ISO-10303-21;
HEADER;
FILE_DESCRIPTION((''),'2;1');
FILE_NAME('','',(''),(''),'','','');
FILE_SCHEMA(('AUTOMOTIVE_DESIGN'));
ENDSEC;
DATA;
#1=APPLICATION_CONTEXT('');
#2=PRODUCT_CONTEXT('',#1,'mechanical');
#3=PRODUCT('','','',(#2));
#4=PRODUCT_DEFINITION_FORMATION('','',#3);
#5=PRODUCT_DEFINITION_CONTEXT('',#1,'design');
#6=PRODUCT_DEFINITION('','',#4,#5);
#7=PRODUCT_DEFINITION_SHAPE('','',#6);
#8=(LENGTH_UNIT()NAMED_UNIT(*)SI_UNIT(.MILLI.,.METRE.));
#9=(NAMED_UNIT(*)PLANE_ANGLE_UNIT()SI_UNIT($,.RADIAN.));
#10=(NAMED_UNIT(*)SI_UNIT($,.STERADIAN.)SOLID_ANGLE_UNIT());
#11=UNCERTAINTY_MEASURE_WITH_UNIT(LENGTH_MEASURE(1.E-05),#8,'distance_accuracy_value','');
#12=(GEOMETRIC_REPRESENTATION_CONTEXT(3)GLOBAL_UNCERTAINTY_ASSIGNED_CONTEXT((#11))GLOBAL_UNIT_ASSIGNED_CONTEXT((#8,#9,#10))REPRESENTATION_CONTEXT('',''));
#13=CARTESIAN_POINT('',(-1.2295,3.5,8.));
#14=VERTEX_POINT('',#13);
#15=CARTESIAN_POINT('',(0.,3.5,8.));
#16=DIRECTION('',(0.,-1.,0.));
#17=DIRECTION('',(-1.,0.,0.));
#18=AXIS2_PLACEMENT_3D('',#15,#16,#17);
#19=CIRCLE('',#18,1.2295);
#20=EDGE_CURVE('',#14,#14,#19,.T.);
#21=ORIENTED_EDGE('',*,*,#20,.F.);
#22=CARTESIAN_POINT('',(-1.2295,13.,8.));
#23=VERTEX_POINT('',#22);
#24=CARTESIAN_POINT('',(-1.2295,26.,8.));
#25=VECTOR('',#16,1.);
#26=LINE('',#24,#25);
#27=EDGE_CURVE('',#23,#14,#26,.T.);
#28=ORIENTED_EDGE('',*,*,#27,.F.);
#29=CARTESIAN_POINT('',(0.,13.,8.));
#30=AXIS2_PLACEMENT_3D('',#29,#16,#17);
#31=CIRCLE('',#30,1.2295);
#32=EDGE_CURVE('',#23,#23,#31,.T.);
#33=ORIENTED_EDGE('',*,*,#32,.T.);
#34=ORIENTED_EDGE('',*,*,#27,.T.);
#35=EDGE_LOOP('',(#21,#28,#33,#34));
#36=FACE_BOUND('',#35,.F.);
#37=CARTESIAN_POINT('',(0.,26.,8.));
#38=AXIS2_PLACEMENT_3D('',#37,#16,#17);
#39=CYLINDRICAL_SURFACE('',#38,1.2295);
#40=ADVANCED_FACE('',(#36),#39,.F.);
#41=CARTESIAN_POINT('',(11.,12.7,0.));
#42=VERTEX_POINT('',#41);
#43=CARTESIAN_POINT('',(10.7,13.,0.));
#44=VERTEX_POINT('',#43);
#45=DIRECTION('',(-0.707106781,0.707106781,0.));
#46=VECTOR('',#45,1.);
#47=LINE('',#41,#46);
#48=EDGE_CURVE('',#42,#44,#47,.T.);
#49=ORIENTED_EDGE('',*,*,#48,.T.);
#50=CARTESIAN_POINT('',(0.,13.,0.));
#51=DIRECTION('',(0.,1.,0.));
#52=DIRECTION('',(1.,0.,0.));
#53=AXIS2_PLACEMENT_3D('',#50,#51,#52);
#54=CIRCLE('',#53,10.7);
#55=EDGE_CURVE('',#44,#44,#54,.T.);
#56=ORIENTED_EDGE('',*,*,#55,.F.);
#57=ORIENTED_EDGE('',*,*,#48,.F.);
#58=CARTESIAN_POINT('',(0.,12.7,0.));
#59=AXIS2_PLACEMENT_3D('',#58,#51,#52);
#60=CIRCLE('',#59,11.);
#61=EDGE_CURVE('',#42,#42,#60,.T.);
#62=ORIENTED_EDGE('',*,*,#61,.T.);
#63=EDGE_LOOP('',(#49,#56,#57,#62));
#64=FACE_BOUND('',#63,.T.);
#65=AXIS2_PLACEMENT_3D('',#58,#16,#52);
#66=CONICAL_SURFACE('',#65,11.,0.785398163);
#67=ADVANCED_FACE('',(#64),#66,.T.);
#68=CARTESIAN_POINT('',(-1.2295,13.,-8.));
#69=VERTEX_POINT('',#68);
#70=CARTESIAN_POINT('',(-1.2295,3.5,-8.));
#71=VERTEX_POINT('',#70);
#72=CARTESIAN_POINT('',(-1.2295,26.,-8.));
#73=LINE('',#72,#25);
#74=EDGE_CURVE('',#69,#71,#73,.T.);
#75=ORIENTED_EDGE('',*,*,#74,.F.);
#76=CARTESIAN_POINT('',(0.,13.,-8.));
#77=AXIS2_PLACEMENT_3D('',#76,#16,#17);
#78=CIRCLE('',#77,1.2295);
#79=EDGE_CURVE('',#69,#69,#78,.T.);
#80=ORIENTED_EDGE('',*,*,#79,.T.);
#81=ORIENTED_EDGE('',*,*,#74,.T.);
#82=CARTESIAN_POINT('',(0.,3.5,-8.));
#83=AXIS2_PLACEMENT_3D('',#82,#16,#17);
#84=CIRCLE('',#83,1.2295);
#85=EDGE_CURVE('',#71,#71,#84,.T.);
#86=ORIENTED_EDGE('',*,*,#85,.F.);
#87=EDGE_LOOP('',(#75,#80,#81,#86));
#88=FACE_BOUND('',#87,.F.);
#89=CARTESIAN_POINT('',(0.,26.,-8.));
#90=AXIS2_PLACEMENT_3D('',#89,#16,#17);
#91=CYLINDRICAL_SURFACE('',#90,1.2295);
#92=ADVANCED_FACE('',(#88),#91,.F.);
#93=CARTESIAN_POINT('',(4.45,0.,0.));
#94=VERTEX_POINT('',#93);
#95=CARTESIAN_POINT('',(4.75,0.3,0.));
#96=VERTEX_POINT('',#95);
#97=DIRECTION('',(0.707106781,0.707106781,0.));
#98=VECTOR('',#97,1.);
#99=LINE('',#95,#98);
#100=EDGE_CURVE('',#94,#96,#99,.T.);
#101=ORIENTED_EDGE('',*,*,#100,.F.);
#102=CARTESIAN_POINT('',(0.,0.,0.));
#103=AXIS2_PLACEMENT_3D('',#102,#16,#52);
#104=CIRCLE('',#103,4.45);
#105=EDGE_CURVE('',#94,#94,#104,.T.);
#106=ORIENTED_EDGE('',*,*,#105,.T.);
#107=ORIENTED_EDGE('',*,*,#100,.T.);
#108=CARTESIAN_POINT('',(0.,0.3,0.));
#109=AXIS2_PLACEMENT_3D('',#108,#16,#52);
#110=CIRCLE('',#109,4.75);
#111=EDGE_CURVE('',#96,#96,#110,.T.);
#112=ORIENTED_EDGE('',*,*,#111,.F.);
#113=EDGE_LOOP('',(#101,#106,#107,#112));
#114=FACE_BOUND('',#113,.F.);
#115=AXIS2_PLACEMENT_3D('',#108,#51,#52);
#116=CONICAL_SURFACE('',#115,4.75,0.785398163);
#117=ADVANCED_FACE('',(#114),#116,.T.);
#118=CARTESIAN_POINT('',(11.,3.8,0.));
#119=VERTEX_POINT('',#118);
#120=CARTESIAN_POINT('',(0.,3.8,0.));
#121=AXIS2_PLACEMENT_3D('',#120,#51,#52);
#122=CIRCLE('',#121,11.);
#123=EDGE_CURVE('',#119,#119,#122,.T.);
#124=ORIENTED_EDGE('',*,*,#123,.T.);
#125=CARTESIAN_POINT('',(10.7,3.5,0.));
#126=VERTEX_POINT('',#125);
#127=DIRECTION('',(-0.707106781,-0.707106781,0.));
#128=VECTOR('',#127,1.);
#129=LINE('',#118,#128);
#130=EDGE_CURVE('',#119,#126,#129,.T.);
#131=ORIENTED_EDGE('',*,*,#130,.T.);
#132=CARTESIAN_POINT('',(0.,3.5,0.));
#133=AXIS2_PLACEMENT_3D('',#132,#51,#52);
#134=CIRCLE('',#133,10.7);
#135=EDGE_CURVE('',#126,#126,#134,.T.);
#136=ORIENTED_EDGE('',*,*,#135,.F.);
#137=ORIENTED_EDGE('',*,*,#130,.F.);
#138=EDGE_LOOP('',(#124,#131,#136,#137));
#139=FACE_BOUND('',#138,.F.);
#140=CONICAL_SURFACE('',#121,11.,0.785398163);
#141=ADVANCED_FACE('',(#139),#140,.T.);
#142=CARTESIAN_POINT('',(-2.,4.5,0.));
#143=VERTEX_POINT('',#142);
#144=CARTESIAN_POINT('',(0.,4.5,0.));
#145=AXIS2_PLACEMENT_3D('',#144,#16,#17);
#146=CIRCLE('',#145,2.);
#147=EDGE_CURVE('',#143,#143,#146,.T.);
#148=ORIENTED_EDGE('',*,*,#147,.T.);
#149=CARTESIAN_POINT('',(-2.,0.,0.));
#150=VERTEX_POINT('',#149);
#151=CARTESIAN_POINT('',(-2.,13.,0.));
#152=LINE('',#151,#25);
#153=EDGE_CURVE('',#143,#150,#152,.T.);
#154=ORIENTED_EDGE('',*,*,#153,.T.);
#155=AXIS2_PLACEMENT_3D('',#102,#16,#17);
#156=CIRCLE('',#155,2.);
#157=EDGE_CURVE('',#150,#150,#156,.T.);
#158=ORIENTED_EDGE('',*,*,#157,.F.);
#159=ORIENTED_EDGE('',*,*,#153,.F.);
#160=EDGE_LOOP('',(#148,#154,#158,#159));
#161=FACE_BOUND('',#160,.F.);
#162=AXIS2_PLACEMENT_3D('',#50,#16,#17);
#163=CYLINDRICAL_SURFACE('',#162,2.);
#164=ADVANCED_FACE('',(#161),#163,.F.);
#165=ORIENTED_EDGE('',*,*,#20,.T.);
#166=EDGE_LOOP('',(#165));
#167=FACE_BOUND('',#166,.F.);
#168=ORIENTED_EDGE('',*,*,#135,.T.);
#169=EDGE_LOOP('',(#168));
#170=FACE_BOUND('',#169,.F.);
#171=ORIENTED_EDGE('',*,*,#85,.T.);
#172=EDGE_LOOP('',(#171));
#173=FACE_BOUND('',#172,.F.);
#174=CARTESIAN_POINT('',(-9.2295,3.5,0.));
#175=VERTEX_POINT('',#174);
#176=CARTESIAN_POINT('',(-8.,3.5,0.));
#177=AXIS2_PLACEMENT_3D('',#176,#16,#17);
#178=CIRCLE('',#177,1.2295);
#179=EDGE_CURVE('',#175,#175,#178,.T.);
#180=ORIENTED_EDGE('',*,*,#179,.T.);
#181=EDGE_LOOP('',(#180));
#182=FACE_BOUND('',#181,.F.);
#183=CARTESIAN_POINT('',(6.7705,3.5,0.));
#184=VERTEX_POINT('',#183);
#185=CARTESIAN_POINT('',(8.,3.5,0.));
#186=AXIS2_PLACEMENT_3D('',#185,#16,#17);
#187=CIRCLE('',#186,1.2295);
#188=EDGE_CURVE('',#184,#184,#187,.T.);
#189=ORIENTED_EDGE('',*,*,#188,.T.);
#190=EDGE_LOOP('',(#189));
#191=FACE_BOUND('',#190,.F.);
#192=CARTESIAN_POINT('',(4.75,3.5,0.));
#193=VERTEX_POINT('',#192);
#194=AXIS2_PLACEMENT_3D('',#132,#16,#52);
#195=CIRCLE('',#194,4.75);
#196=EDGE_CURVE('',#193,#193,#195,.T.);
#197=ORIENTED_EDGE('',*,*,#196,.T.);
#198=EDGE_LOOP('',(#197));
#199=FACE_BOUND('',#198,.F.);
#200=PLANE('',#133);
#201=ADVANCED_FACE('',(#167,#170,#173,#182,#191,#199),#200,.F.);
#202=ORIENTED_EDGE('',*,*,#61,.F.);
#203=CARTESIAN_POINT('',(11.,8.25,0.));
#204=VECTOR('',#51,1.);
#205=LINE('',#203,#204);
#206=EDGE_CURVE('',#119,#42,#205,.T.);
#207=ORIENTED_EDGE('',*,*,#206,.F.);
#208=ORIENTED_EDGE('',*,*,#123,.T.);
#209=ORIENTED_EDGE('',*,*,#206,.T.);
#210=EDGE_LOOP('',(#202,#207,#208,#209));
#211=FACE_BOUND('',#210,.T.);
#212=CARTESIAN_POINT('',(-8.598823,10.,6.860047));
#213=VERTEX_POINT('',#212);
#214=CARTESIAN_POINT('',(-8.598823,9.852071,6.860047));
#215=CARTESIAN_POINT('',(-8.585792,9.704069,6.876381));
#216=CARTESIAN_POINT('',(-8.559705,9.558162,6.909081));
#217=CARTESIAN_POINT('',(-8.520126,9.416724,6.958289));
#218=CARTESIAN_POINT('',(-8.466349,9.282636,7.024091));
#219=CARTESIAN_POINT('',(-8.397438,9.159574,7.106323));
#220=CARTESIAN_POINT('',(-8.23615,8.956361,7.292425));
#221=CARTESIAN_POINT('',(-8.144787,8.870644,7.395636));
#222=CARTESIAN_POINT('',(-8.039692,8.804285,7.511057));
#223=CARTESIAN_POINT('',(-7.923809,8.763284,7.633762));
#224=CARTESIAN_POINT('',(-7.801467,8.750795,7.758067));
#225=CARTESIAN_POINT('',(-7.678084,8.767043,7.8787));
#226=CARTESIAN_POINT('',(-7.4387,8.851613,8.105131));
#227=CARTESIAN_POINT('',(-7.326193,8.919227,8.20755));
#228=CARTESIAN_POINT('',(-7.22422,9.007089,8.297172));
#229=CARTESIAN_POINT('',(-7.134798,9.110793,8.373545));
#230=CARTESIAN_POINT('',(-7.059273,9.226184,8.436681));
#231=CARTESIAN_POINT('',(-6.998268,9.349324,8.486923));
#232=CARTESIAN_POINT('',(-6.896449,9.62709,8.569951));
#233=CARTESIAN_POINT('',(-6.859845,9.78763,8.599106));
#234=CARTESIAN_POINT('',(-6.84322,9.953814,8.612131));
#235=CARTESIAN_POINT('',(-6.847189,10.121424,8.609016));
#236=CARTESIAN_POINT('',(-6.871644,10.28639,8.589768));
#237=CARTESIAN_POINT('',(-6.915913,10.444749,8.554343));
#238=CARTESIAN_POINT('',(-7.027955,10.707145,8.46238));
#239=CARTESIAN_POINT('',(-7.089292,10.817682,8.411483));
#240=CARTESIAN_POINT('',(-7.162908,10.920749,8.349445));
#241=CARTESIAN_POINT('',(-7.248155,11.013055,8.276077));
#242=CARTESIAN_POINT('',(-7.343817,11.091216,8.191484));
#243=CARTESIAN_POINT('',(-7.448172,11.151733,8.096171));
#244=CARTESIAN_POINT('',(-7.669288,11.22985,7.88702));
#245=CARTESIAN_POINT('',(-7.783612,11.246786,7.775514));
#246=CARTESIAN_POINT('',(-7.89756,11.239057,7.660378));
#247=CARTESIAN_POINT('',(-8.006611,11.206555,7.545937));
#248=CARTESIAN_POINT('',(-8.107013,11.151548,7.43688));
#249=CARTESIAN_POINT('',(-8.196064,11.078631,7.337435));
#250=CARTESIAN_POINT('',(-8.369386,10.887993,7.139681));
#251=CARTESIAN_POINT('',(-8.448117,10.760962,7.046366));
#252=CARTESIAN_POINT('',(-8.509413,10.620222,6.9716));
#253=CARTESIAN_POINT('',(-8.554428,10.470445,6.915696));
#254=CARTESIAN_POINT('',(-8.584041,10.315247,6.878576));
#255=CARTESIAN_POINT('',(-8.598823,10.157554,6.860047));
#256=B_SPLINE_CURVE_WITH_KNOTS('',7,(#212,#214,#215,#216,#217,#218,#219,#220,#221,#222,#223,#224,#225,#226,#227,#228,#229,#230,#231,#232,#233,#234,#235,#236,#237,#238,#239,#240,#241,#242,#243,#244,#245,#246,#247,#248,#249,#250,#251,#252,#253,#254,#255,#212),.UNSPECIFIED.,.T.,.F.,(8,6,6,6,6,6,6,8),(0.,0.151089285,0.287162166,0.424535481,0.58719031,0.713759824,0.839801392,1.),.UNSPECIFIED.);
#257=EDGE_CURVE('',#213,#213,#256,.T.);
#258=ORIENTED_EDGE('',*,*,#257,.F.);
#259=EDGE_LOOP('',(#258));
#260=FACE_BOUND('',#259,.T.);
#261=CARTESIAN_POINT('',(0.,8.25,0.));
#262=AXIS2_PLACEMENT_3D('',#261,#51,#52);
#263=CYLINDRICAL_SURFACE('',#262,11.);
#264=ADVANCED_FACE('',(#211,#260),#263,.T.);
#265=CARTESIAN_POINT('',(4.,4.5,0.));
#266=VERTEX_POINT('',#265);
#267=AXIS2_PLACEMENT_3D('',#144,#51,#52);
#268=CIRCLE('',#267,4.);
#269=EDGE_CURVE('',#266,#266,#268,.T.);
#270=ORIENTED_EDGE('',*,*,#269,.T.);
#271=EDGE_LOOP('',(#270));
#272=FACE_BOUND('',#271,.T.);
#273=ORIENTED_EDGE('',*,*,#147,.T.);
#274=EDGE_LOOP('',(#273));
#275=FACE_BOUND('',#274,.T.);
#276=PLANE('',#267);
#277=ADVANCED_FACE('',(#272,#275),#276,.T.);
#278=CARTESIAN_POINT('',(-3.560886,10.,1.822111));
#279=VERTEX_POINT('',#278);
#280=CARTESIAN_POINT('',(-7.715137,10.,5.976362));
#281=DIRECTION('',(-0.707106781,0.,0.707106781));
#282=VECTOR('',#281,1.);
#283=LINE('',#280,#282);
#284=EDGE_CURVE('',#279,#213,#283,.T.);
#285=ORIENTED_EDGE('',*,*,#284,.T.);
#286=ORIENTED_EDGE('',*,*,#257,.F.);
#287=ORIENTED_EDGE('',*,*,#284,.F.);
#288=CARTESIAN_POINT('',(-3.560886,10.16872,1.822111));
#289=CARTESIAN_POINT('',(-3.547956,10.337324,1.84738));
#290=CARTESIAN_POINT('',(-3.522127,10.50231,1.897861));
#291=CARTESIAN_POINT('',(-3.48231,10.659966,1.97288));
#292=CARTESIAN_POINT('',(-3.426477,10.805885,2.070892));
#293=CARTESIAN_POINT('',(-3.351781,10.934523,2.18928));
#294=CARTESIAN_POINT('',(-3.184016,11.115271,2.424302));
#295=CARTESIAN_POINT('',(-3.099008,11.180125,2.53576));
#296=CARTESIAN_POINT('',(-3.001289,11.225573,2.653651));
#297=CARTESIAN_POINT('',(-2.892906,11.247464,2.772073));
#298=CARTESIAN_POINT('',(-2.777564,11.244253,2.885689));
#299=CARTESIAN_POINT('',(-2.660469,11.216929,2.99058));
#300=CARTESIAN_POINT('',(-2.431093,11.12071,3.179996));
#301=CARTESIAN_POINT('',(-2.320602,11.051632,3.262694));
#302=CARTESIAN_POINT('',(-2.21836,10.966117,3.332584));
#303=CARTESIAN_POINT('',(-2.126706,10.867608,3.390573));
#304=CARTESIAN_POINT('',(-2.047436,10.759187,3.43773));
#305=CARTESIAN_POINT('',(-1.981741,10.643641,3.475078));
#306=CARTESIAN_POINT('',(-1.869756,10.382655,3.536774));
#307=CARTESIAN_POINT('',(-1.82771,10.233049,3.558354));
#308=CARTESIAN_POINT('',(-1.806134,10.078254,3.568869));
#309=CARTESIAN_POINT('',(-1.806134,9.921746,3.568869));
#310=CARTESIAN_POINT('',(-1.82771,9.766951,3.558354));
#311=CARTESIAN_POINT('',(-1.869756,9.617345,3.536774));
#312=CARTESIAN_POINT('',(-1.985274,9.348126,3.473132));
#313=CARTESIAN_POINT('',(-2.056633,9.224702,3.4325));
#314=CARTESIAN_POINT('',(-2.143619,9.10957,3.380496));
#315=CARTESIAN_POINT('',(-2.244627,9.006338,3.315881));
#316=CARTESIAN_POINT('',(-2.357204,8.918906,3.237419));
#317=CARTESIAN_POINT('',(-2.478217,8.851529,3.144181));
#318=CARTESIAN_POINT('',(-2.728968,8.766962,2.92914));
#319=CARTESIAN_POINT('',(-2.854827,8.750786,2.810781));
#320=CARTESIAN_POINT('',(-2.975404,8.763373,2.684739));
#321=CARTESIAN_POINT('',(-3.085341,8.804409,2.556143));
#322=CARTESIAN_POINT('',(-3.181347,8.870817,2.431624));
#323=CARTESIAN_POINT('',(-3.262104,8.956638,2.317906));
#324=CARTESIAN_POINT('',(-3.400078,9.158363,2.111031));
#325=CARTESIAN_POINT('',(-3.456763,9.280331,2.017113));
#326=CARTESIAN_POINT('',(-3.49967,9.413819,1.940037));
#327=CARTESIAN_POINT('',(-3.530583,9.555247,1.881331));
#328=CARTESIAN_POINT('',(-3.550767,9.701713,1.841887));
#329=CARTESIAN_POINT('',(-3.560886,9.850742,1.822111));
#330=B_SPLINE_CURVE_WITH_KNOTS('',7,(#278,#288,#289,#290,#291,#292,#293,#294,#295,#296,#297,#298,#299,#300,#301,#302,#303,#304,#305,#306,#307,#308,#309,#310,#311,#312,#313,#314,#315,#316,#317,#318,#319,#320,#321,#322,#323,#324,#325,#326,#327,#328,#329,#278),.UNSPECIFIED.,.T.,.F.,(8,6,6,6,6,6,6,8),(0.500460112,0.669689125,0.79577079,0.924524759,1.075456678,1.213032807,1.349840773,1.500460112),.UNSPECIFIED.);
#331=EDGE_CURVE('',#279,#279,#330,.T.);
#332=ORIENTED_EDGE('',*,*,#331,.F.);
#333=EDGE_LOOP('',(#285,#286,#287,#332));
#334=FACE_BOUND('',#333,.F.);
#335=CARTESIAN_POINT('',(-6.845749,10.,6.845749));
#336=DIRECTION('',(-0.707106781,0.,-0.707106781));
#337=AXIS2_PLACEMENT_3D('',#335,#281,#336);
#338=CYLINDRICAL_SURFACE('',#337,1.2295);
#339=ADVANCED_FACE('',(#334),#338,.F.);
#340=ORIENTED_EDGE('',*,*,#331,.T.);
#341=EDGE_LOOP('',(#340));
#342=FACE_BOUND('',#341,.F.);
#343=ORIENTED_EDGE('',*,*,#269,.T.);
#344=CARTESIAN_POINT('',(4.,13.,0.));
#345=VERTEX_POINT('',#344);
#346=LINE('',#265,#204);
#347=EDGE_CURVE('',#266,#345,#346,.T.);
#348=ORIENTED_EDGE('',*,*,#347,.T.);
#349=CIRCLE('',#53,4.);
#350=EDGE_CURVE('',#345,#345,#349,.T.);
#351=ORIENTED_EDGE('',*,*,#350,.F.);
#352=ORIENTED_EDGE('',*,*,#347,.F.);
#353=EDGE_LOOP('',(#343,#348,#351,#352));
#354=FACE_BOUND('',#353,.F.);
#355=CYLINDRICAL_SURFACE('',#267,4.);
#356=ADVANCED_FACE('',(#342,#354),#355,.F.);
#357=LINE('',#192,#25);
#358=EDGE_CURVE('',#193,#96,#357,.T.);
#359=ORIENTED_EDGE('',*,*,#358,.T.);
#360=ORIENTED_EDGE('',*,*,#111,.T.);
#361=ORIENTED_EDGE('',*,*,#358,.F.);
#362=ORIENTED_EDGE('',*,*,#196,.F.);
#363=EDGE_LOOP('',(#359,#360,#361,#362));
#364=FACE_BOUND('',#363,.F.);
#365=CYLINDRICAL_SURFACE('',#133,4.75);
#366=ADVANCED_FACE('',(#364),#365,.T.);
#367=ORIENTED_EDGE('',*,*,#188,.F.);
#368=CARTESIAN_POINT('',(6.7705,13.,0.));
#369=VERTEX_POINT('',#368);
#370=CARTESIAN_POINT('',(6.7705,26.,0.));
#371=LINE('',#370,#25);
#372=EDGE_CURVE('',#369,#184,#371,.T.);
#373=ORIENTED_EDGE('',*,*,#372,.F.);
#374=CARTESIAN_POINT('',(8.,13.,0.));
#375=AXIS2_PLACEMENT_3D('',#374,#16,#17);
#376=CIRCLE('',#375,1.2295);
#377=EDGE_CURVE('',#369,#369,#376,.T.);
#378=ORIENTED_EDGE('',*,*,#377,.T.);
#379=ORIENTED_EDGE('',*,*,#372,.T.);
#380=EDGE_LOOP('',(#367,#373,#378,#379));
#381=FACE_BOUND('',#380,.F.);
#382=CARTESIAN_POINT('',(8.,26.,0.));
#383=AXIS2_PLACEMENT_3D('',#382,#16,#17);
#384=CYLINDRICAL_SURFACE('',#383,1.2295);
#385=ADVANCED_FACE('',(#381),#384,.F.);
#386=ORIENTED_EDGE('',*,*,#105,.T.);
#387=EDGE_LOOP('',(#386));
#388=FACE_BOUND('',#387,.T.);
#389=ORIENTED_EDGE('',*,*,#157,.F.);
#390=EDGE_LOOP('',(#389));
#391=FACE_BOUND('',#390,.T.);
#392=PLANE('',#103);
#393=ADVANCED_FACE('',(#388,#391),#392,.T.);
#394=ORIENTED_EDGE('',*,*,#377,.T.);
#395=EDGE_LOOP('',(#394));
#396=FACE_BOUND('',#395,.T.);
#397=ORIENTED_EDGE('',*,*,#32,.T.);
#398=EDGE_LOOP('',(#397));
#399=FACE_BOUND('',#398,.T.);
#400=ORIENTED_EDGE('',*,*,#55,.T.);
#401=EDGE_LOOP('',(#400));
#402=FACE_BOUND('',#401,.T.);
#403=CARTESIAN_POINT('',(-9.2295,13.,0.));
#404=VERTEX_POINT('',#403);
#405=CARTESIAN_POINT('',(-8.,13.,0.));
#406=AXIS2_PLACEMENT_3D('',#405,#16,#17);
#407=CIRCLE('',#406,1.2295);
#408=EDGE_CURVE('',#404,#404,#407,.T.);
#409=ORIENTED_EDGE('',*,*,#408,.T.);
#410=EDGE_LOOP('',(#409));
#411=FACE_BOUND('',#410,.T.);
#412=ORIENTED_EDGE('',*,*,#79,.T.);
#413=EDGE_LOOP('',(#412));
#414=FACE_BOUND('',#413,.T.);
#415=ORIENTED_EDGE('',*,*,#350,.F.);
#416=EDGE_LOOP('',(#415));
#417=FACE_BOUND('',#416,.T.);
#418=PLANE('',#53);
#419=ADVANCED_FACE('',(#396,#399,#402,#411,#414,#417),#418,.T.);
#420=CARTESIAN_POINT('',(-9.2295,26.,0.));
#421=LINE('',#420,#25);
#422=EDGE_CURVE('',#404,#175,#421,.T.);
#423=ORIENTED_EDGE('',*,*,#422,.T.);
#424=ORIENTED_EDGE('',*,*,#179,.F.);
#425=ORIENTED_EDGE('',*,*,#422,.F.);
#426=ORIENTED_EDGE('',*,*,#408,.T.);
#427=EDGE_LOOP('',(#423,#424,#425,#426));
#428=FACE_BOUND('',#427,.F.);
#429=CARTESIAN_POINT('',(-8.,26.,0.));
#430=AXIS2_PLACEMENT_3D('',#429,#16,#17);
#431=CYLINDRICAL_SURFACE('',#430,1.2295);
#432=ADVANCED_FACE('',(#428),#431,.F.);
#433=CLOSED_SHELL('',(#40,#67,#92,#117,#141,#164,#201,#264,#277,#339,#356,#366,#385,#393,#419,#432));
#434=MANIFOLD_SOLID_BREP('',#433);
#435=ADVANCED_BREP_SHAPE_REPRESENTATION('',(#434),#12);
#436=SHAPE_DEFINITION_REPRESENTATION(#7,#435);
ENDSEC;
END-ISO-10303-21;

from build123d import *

# Parameters (mm, degrees)
SCHIZZO1_W                                           = 11
SCHIZZO1_H                                           = 9.5
SCHIZZO2_R                                           = 4.75
ESTRUSIONE_ESTRUSIONE1_DEPTH                         = 3.5
FORO_PER_VITE_M2_1_D                                 = 2.459
FORO_PER_VITE_M2_1_DEPTH                             = 13
FORO_LAMATO_PER_VITE_M3_5_A_TESTA_ESAGON_D           = 4
FORO_LAMATO_PER_VITE_M3_5_A_TESTA_ESAGON_DEPTH       = 13
FORO_LAMATO_PER_VITE_M3_5_A_TESTA_ESAGON_CBORE_D     = 8
FORO_LAMATO_PER_VITE_M3_5_A_TESTA_ESAGON_CBORE_DEPTH = 8.5
SCHIZZO7_W                                           = 1.2295
SCHIZZO7_H                                           = 11.749995321
SMUSSO1_SIZE                                         = 0.3


with BuildPart() as part:
    # Schizzo1 → Rivoluzione1 (revolve)
    with BuildSketch(Plane(origin=(0, 0, 0), x_dir=(-1, 0, 0), z_dir=(0, 0, -1))):
        with Locations((-5.5, 8.25)):
            Rectangle(SCHIZZO1_W, SCHIZZO1_H)
    revolve(axis=Axis((0, 3.5, 0), (0, 1, 0)))

    # Schizzo2 → Estrusione-Estrusione1 (add)
    with BuildSketch(Plane.XZ.offset(-3.5)):
        Circle(SCHIZZO2_R)
    extrude(amount=ESTRUSIONE_ESTRUSIONE1_DEPTH)

    # Foro per Vite M2-1
    with Locations(Plane(origin=(0, 13, 0), x_dir=(1, 0, 0), z_dir=(0, 1, 0))):
        with Locations((0, 8), (-8, 0), (0, -8), (8, 0)):
            Hole(FORO_PER_VITE_M2_1_D / 2, depth=FORO_PER_VITE_M2_1_DEPTH)

    # Foro lamato per Vite M3.5 a testa esagonale-1
    with Locations(Plane(origin=(0, 13, 0), x_dir=(1, 0, 0), z_dir=(0, 1, 0))):
        with Locations((0, 0)):
            CounterBoreHole(FORO_LAMATO_PER_VITE_M3_5_A_TESTA_ESAGON_D / 2, FORO_LAMATO_PER_VITE_M3_5_A_TESTA_ESAGON_CBORE_D / 2, FORO_LAMATO_PER_VITE_M3_5_A_TESTA_ESAGON_CBORE_DEPTH, depth=FORO_LAMATO_PER_VITE_M3_5_A_TESTA_ESAGON_DEPTH)

    # Schizzo7 → Foro per Vite M2-2 (revolve, cut)
    with BuildSketch(Plane(origin=(-2.69149863, 10, 2.69149863), x_dir=(-0.707106781, 0, -0.707106781), z_dir=(0, 1, 0))):
        with Locations((0.61475, 5.874997661)):
            Rectangle(SCHIZZO7_W, SCHIZZO7_H)
    revolve(axis=Axis((1.798629431, 10, -1.798629431), (-0.707106781, 0, 0.707106781)), mode=Mode.SUBTRACT)

    # Smusso1
    smusso1_edges = [part.edges().sort_by_distance(p)[0] for p in [
        (-11, 13, 0),
        (-11, 3.5, 0),
        (-4.75, 0, 0),
    ]]
    chamfer(smusso1_edges, length=SMUSSO1_SIZE)


solid = part.part
